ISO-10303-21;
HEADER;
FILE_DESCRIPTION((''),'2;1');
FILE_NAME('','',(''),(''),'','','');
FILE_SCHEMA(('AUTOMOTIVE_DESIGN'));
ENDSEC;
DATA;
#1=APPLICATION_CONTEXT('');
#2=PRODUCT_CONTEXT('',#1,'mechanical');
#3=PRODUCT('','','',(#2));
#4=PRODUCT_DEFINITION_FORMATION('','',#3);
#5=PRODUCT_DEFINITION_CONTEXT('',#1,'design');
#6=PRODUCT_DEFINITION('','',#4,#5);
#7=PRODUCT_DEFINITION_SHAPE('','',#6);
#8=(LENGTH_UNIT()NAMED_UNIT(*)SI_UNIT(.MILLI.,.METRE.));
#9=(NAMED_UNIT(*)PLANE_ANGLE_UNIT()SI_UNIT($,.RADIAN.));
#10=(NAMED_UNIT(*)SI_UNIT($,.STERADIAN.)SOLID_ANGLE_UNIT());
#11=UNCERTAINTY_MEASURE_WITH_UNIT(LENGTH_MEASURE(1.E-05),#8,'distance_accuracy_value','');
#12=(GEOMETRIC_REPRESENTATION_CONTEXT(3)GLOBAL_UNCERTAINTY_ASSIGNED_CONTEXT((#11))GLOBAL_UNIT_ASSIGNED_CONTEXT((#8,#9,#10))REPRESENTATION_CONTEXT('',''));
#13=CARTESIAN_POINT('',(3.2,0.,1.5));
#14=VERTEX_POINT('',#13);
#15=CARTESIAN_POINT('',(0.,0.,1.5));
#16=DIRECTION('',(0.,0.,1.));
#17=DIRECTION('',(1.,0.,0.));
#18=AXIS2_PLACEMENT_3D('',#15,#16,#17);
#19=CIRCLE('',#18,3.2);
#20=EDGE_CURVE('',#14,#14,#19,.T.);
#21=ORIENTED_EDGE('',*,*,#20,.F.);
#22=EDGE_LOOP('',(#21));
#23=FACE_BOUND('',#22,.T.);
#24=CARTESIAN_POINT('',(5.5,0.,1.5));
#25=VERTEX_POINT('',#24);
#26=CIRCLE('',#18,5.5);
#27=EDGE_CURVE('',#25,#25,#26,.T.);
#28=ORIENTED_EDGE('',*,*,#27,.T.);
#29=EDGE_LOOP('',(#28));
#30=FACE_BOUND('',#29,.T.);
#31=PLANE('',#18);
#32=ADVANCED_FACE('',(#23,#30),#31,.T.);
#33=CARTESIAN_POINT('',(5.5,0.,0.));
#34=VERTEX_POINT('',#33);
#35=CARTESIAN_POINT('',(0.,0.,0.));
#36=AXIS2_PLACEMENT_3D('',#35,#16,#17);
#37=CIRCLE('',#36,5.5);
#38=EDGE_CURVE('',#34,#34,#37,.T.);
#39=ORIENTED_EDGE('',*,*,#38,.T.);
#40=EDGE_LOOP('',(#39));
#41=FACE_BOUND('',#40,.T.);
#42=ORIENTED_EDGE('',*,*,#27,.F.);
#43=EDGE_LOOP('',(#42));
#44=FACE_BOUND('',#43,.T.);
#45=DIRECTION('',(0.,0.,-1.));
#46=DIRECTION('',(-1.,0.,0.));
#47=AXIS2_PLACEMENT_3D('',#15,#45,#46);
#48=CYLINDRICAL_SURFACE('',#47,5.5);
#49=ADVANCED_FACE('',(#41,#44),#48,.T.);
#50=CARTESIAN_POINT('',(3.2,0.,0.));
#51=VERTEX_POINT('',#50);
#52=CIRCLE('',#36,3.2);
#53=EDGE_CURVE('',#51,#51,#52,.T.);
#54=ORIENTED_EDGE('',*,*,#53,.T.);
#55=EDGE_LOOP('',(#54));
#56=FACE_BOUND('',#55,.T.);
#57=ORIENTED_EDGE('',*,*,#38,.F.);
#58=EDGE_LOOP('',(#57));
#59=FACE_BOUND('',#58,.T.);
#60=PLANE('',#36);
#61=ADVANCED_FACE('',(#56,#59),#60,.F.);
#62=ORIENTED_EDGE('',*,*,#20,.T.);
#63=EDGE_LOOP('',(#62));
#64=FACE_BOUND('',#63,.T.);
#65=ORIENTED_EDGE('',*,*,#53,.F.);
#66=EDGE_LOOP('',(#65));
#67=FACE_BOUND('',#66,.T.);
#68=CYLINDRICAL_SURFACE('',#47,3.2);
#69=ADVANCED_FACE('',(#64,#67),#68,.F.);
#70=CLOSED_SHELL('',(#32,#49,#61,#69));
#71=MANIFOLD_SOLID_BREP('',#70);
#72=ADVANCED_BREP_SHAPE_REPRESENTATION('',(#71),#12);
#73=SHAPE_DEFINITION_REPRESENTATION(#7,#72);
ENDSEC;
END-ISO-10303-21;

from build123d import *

# Parameters (mm, degrees)
SKETCH1_R           = 5.5
SKETCH1_R_2         = 3.2
BOSS_EXTRUDE1_DEPTH = 1.5


with BuildPart() as part:
    # Sketch1 → Boss-Extrude1 (new body)
    with BuildSketch(Plane.XY):
        Circle(SKETCH1_R)
        Circle(SKETCH1_R_2, mode=Mode.SUBTRACT)
    extrude(amount=BOSS_EXTRUDE1_DEPTH)


solid = part.part
